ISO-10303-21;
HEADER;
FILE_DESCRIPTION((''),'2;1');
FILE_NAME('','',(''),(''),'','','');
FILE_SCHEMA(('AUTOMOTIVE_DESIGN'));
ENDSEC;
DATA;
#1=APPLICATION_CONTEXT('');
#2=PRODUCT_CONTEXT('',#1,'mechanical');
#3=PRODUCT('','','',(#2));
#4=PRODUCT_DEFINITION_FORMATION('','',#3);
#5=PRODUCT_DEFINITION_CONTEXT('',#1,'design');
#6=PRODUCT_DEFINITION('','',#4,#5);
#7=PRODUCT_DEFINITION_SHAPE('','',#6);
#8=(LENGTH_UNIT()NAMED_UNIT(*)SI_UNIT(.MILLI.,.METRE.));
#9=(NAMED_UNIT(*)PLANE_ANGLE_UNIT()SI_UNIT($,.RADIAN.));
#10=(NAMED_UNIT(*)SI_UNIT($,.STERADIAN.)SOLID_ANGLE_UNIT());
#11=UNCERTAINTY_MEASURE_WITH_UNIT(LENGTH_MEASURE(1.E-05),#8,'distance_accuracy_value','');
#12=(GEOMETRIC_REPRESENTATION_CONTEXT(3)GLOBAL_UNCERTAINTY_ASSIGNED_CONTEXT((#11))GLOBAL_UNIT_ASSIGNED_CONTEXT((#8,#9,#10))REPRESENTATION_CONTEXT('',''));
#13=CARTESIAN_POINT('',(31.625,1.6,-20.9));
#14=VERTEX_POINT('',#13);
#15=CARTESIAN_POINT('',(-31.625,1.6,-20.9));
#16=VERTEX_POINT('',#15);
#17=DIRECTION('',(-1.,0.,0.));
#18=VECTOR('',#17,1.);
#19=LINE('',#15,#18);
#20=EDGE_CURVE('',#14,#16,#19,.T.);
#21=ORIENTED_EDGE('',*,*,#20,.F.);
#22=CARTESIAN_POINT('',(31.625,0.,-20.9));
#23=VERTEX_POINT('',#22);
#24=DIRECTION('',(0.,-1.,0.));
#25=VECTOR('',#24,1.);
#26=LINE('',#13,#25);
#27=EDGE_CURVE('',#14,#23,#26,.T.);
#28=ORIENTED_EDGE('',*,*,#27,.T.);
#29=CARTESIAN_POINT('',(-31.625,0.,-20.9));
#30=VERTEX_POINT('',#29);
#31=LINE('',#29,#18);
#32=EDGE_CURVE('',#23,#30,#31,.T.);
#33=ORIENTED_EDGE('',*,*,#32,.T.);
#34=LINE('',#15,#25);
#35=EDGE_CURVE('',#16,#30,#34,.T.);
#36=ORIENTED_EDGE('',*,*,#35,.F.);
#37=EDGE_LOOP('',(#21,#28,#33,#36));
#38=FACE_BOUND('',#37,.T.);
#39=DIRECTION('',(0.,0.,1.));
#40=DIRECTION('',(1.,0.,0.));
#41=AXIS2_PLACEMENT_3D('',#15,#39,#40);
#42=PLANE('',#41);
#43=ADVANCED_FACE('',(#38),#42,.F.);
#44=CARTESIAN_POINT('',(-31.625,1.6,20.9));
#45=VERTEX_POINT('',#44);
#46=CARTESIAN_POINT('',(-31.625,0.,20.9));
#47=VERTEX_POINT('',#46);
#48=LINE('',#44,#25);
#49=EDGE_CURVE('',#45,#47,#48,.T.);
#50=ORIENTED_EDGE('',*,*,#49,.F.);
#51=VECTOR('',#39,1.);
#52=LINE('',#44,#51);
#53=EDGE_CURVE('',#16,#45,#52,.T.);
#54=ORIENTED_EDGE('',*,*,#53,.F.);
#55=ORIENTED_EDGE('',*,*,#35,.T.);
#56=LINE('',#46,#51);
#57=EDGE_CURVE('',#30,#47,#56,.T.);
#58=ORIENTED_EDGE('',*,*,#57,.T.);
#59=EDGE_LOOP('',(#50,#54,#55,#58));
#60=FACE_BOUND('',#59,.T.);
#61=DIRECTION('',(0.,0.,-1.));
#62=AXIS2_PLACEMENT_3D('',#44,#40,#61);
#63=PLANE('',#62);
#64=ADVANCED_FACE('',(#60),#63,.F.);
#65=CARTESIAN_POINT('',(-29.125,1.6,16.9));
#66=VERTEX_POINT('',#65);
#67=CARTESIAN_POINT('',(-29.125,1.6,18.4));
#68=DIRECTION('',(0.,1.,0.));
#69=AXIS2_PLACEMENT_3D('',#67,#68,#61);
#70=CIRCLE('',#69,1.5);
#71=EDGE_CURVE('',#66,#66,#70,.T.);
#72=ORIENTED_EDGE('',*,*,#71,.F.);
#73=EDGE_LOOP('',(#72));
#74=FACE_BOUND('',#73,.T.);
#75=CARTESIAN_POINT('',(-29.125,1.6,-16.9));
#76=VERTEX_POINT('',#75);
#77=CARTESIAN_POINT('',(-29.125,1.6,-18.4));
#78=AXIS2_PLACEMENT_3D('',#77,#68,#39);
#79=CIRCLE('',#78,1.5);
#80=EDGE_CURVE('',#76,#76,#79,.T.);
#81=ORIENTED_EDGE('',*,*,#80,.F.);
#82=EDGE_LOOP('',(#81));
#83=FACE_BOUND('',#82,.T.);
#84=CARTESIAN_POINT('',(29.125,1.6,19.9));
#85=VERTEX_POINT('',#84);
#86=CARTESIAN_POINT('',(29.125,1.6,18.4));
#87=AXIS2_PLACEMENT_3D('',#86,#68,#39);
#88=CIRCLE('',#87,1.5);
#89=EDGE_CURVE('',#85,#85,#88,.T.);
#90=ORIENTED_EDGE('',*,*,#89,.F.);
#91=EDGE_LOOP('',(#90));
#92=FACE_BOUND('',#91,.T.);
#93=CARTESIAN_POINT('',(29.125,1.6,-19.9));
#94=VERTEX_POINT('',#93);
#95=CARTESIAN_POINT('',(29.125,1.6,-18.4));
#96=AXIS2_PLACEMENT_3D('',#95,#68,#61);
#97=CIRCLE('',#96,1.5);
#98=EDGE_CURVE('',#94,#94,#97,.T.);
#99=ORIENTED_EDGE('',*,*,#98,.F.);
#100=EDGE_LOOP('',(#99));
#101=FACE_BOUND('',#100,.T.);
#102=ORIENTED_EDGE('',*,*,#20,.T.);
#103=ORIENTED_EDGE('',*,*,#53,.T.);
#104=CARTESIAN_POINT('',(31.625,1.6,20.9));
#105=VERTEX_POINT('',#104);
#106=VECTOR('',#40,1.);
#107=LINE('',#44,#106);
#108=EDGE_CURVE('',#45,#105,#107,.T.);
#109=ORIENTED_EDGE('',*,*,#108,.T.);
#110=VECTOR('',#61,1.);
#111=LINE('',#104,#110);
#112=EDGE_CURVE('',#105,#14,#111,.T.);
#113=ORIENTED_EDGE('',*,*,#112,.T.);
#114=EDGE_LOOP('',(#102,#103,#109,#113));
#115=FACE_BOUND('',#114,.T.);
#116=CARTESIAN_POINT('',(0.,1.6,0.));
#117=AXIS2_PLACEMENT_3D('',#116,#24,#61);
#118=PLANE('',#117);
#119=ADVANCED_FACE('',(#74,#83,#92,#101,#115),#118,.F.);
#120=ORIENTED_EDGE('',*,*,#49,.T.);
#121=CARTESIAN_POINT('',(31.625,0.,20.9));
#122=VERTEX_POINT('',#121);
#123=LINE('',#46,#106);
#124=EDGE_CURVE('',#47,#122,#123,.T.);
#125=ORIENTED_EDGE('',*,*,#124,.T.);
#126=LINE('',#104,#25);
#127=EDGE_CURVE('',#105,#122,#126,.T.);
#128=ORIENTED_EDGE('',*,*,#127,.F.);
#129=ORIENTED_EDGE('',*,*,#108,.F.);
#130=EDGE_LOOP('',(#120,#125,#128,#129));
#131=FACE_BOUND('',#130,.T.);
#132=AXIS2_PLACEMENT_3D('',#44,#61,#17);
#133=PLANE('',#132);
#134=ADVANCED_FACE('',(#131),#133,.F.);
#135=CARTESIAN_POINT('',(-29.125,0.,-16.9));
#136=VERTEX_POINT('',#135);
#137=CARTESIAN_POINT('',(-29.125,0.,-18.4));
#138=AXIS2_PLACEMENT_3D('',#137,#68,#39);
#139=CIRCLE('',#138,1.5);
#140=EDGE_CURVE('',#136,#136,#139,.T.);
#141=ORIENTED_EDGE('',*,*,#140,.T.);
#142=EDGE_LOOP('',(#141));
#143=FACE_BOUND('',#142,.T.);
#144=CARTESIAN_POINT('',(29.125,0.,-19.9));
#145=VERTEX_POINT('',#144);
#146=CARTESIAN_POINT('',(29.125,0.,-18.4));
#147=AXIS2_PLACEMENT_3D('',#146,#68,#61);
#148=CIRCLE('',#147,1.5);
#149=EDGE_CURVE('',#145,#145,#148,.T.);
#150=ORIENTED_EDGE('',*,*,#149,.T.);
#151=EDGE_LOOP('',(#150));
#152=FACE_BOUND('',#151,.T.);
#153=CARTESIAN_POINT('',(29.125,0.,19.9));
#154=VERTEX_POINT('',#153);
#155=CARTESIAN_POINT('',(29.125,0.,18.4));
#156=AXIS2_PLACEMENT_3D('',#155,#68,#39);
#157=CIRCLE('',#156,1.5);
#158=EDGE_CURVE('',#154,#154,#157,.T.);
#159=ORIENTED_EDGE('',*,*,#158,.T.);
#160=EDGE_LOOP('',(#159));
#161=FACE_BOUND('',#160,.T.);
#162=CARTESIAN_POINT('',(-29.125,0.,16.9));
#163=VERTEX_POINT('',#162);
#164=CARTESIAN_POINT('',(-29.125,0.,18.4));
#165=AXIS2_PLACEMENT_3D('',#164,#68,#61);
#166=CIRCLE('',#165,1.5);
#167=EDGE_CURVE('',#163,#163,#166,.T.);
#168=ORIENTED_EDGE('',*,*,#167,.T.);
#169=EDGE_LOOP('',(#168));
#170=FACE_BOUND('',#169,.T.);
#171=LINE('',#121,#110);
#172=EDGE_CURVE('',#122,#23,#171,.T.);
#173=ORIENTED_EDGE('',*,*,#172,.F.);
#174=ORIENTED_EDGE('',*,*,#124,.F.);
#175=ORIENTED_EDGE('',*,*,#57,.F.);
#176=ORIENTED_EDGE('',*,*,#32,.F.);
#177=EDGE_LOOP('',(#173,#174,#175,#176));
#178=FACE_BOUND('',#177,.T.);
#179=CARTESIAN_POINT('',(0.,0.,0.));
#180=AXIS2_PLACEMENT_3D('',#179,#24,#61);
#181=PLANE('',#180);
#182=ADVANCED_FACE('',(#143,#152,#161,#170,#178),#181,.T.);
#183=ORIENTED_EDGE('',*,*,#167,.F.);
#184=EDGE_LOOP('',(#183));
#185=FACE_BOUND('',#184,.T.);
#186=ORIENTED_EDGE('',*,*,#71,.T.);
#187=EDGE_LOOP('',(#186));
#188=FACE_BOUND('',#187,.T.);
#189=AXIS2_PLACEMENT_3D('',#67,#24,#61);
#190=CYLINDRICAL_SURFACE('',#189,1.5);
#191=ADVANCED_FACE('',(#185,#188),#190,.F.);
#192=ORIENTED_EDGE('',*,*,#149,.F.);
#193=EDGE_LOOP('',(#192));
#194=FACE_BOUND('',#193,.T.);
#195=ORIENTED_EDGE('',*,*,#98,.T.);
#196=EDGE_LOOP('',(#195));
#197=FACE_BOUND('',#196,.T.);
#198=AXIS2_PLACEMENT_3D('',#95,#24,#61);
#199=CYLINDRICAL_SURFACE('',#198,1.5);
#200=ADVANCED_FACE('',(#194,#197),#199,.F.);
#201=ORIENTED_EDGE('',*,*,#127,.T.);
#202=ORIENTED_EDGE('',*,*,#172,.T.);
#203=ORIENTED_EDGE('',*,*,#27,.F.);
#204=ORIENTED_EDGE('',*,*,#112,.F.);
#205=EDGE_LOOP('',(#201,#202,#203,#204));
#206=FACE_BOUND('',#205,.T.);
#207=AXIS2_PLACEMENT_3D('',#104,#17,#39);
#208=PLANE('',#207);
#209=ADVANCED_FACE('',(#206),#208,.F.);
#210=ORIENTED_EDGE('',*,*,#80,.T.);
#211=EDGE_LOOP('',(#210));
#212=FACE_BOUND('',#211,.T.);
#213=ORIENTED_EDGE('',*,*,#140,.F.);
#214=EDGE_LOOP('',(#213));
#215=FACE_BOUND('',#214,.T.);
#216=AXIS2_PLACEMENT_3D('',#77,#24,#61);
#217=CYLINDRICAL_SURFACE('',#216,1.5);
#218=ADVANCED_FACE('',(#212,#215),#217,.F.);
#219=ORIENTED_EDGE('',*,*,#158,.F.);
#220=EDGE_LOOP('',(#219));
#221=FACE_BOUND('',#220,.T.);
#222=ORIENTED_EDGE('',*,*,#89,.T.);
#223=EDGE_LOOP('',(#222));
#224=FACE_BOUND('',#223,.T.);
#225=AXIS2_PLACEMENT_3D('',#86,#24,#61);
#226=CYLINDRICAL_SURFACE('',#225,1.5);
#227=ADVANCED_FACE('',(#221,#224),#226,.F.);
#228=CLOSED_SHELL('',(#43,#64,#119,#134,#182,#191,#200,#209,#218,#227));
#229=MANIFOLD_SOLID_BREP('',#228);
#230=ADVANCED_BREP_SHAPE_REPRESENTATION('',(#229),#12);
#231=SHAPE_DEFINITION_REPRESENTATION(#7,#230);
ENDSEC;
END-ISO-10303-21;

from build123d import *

# Parameters (mm, degrees)
SKETCH1_W           = 63.25
SKETCH1_H           = 41.8
SKETCH1_R           = 1.5
BOSS_EXTRUDE1_DEPTH = 1.6


with BuildPart() as part:
    # Sketch1 → Boss-Extrude1 (new body)
    with BuildSketch(Plane(origin=(0, 0, 0), x_dir=(1, 0, 0), z_dir=(0, 1, 0))):
        Rectangle(SKETCH1_W, SKETCH1_H)
        with Locations(Location((-29.125, 18.4, 0), (0, 0, 270))):
            Circle(SKETCH1_R, mode=Mode.SUBTRACT)
        with Locations(Location((29.125, 18.4, 0), (0, 0, 90))):
            Circle(SKETCH1_R, mode=Mode.SUBTRACT)
        with Locations(Location((29.125, -18.4, 0), (0, 0, 270))):
            Circle(SKETCH1_R, mode=Mode.SUBTRACT)
        with Locations(Location((-29.125, -18.4, 0), (0, 0, 90))):
            Circle(SKETCH1_R, mode=Mode.SUBTRACT)
    extrude(amount=BOSS_EXTRUDE1_DEPTH)


solid = part.part
